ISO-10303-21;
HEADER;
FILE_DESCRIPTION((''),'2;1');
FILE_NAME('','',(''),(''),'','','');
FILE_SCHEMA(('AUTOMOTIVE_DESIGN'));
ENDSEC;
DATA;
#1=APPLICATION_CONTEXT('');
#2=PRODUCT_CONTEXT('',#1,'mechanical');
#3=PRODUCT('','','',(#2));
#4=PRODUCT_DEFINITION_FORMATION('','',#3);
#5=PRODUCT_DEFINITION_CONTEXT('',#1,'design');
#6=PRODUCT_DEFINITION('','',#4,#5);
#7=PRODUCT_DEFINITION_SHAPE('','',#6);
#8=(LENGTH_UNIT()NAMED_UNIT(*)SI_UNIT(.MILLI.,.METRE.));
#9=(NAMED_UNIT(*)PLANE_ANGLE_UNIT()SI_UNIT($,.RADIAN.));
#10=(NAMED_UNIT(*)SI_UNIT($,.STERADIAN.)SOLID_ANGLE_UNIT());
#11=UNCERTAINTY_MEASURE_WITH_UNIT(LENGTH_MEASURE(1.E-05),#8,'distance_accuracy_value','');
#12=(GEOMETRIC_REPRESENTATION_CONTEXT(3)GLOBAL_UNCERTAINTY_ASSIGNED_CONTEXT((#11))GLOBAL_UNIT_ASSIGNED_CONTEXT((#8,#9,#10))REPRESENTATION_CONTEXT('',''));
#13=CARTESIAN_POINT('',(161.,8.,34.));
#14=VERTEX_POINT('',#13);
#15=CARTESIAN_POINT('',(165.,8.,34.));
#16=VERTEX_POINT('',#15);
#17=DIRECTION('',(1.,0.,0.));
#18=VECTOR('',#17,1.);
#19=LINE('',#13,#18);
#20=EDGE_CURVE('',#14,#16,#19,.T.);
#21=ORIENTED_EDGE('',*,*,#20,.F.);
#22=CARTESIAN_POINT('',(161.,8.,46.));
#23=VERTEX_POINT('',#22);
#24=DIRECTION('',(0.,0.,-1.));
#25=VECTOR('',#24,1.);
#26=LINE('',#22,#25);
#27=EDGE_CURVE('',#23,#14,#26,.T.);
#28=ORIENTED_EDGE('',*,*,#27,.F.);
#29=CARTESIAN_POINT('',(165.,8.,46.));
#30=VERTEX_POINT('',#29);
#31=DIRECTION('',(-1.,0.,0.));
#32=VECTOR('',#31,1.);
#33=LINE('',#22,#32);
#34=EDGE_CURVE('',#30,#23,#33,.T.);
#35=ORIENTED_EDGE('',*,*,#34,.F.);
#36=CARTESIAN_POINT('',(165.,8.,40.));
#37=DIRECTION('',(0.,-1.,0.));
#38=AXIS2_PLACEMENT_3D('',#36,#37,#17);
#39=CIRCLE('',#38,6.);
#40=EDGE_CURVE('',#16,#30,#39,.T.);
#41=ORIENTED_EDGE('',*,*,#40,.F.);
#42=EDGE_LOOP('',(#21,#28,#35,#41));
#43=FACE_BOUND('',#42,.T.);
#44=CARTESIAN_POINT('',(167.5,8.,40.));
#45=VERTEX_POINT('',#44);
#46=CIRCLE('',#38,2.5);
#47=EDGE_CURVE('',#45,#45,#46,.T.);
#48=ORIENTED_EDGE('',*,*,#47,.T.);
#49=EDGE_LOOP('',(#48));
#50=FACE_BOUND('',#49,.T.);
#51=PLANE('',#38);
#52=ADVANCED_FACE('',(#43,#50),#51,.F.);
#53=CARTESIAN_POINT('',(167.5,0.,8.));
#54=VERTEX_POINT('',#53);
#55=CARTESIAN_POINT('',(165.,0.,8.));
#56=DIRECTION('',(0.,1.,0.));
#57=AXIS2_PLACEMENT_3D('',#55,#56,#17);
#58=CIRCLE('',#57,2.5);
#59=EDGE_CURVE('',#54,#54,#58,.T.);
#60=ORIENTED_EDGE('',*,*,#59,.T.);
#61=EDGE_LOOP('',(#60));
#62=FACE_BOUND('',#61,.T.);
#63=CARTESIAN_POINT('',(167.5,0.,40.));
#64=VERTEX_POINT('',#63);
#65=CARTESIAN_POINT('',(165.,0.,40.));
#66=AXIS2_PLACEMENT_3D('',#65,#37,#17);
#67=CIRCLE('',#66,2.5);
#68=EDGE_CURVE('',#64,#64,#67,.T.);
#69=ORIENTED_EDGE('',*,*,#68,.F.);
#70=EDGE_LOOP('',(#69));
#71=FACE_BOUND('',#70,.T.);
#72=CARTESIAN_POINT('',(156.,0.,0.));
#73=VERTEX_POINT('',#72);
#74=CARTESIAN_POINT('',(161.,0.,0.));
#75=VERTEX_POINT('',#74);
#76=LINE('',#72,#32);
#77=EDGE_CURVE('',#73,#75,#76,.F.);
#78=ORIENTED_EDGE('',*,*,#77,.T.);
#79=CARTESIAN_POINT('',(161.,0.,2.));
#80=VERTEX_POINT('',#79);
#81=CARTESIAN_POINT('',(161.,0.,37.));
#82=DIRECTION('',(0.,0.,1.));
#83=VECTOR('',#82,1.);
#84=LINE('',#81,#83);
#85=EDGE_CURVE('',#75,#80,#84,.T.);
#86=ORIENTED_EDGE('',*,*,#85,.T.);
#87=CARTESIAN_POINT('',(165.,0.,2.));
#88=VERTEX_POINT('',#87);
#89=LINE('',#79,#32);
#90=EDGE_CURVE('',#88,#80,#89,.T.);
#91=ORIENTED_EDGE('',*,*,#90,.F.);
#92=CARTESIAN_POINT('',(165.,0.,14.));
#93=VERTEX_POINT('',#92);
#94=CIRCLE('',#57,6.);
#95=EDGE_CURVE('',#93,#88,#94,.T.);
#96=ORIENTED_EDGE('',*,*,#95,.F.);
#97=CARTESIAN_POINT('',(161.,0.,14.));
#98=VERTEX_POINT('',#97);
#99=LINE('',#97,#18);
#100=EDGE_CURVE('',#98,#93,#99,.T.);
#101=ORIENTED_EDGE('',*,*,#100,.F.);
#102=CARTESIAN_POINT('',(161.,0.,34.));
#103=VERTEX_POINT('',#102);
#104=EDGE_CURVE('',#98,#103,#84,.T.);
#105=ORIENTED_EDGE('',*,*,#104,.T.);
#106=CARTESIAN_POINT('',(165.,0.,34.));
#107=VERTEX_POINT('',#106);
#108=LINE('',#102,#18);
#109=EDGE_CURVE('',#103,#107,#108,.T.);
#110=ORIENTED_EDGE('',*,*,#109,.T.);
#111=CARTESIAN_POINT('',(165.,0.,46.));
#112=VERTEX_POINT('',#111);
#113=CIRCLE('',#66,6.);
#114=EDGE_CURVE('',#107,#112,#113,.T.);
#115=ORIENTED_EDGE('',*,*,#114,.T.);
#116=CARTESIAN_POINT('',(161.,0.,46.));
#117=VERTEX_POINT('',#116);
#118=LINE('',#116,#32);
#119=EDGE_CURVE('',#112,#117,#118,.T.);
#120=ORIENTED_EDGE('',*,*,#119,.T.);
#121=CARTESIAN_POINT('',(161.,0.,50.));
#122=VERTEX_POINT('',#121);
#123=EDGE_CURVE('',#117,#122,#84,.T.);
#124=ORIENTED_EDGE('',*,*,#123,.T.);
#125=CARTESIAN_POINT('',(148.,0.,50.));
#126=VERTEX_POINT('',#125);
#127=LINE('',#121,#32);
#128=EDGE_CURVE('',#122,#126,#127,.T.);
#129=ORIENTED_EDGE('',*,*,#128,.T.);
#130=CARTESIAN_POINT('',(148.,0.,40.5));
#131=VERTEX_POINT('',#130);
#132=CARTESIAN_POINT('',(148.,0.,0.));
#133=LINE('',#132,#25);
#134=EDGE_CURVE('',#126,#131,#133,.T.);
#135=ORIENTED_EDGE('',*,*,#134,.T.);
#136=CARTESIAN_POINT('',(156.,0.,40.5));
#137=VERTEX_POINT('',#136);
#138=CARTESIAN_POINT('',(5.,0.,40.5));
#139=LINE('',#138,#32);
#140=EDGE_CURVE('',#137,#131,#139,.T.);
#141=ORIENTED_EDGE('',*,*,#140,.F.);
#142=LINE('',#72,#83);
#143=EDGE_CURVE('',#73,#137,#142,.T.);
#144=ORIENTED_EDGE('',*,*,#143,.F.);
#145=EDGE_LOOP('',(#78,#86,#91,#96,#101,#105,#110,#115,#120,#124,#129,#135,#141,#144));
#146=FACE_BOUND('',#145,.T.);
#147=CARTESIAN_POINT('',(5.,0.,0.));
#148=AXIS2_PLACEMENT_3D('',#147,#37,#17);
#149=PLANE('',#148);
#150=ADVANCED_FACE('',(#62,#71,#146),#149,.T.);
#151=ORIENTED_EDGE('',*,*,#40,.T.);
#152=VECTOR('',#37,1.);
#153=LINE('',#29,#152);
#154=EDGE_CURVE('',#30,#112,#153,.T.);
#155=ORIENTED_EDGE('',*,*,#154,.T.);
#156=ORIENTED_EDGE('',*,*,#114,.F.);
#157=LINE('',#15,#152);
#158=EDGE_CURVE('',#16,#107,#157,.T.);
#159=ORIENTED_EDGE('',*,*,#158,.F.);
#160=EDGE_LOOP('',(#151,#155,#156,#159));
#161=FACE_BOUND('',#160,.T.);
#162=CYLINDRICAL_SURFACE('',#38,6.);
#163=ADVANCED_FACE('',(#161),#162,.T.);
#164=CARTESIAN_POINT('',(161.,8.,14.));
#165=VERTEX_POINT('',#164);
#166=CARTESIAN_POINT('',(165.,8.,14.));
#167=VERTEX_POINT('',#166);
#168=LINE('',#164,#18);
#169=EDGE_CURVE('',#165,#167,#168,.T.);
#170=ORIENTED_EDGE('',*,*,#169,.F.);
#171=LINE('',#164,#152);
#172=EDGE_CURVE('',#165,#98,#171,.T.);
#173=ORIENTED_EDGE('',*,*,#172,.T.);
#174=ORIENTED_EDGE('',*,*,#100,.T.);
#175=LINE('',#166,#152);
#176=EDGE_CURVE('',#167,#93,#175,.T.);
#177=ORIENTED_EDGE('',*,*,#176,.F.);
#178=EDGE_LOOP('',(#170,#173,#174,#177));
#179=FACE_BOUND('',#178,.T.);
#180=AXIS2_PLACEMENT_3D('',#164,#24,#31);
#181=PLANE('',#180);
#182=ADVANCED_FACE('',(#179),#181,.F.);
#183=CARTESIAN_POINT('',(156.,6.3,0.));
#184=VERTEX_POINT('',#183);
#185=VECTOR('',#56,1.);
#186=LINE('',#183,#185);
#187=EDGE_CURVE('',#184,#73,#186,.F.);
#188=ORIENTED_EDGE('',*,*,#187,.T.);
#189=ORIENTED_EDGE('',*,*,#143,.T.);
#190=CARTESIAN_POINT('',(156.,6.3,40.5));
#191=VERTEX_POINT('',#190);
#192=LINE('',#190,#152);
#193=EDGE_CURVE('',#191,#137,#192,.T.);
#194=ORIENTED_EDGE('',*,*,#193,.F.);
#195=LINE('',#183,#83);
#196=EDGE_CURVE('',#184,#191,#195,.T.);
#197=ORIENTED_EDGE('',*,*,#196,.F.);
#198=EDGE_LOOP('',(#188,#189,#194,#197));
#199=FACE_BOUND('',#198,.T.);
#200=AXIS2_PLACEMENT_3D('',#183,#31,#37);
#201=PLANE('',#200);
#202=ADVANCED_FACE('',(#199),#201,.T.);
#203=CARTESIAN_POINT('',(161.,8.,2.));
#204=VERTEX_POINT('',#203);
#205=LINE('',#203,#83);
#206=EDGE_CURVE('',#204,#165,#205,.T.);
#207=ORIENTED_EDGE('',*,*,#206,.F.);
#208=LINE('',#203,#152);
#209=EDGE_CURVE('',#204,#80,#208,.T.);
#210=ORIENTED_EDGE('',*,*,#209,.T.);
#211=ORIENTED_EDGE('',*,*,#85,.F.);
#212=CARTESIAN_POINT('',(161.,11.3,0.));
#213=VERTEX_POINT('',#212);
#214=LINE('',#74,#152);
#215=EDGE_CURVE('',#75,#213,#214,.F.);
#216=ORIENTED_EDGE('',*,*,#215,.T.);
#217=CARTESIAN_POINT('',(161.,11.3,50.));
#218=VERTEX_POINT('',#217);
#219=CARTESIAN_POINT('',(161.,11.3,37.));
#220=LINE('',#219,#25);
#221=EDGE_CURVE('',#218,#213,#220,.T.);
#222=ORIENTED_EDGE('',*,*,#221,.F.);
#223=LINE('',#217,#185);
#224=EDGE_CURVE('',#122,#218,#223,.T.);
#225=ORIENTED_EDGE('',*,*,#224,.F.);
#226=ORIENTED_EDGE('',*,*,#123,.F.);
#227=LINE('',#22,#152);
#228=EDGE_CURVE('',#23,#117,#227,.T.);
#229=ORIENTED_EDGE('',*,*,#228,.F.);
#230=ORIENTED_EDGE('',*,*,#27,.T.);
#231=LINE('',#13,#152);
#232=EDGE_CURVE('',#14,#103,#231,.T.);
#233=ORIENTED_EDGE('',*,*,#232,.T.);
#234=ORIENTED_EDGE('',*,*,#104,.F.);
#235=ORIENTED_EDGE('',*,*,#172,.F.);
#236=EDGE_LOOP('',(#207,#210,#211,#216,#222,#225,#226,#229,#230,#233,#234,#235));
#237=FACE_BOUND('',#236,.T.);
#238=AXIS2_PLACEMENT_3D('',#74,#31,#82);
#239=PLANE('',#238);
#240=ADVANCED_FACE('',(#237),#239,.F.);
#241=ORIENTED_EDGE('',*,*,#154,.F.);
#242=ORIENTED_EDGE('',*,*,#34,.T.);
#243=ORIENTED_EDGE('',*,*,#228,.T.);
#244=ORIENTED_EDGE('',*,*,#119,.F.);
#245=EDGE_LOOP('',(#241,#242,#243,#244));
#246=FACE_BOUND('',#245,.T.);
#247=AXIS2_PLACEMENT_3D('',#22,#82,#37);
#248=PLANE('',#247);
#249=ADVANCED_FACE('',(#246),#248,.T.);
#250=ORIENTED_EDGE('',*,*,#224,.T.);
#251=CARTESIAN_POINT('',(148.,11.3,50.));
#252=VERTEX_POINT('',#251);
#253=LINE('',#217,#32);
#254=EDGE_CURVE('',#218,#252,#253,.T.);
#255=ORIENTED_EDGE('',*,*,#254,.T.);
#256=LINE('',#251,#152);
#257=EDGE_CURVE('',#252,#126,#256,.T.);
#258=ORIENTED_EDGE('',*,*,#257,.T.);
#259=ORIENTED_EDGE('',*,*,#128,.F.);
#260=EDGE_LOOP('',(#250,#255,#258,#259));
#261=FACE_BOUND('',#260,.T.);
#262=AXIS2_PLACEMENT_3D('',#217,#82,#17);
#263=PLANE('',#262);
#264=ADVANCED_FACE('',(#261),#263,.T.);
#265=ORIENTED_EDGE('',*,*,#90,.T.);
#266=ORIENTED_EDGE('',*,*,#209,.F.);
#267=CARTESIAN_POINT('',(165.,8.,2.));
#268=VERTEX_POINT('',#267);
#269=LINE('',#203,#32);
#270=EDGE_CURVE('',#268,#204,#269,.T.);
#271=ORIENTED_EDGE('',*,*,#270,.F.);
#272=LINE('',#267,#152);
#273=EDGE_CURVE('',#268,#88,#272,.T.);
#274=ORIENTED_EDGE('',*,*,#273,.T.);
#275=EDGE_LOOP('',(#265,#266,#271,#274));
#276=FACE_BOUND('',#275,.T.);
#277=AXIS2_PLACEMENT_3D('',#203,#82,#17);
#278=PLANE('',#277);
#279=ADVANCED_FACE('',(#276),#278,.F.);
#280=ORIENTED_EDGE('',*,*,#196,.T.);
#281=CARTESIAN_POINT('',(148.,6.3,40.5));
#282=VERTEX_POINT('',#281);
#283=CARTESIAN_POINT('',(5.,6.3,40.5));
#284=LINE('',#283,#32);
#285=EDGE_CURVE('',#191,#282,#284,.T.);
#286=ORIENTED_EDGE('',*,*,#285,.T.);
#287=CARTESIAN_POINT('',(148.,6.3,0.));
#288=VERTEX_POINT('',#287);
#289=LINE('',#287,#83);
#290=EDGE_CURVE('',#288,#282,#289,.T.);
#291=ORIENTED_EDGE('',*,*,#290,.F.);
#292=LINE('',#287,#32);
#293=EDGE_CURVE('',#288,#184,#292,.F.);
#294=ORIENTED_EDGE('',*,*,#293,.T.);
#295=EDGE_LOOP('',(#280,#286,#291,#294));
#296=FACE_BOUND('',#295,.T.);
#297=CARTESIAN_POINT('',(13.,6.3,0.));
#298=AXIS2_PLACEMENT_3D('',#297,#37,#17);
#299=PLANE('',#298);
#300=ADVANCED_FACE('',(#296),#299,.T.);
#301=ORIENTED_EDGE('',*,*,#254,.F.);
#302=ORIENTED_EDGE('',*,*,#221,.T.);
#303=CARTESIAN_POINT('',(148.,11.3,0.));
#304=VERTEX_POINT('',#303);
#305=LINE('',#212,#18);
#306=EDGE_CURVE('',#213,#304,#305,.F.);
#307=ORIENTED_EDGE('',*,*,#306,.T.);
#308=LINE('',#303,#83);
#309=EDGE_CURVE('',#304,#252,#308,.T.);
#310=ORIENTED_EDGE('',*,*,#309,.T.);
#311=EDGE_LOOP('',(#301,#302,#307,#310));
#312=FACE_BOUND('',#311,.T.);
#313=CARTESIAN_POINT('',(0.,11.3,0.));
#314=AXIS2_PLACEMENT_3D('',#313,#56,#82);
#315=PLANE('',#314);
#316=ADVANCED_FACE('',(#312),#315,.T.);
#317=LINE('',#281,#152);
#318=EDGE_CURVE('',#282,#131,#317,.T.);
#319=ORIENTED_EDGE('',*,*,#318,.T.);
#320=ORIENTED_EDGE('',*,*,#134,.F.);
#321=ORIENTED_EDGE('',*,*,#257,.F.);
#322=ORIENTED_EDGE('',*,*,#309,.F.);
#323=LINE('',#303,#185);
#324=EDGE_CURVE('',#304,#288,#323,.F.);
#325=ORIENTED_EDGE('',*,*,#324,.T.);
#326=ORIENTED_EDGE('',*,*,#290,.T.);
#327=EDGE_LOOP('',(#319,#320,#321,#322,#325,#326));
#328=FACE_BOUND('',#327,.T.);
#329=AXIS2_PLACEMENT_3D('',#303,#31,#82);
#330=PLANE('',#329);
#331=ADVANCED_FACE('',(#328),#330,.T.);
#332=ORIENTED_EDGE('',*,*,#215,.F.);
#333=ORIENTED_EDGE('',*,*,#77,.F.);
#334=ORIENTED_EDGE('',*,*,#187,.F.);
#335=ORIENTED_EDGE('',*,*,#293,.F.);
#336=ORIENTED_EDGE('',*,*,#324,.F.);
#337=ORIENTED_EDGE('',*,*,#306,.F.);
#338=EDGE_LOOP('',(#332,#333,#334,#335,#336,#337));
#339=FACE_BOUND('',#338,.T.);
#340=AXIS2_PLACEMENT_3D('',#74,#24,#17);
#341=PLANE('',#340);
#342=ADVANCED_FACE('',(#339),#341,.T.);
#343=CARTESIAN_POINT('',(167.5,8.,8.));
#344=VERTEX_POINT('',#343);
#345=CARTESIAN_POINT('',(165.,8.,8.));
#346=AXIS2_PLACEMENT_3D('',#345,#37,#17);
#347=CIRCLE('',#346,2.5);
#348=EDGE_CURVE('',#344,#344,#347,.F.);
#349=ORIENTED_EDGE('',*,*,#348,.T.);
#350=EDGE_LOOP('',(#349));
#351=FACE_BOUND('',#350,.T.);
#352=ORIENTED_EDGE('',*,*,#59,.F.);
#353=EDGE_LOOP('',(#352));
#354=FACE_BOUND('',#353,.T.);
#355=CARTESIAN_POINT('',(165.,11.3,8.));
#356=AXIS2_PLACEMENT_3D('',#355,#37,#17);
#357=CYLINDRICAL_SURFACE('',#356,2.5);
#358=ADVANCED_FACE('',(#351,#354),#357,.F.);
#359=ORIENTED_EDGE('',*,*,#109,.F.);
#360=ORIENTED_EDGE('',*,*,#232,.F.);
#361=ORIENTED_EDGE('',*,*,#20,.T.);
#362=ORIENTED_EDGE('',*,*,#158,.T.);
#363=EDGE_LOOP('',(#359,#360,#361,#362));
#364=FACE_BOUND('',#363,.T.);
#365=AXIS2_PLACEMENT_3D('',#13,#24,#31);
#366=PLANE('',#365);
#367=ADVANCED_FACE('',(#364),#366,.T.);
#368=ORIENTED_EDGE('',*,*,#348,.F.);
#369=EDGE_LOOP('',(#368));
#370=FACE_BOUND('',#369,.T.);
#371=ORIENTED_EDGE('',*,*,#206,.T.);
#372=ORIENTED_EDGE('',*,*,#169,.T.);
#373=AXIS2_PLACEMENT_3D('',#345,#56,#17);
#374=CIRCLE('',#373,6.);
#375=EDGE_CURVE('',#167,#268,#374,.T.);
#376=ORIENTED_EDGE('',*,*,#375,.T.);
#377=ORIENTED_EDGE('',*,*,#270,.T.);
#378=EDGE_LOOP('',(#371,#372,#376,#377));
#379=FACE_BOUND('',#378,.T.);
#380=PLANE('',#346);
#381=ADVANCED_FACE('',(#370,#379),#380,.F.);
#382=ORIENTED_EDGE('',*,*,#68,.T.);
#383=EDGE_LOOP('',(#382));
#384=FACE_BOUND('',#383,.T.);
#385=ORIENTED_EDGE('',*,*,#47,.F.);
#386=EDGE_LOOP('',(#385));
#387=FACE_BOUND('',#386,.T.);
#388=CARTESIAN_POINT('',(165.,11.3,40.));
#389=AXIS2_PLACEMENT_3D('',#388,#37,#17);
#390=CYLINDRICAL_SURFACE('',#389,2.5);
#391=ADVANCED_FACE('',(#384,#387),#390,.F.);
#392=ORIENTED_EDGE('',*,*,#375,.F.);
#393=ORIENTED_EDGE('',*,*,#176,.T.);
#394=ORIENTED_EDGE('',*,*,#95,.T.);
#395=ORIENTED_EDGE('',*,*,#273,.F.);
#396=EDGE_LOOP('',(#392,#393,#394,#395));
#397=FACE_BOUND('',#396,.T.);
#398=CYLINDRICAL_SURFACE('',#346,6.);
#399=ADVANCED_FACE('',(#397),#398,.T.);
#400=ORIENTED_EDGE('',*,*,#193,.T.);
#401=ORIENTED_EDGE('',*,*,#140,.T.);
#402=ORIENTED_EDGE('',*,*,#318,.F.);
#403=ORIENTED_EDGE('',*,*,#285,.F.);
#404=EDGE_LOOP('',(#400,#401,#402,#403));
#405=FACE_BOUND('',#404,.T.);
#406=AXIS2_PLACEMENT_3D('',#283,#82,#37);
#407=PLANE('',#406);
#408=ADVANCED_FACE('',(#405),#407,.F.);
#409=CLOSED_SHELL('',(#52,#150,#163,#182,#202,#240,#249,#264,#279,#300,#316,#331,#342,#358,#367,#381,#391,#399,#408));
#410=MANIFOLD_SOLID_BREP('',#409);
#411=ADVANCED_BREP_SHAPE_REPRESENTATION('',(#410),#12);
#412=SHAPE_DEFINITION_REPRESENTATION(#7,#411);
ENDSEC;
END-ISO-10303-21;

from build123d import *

# Parameters (mm, degrees)
CROQUIS4_W                = 13
CROQUIS4_H                = 11.3
SALIENTE_EXTRUIR1_DEPTH   = 161
CROQUIS5_W                = 151
CROQUIS5_H                = 3.5
CORTAR_EXTRUIR1_DEPTH     = 6.3
SALIENTE_EXTRUIR3_DEPTH   = 8
CROQUIS9_R                = 2.5
CORTAR_EXTRUIR3_DEPTH     = 179.518038304
SIMETR_A8_COPY_1_DEPTH    = 8
SIMETR_A8_COPY_2_SKETCH_R = 2.5
SIMETR_A8_COPY_2_DEPTH    = 179.518038304
CROQUIS10_R               = 2.5
CORTAR_EXTRUIR4_DEPTH     = 179.518038304
MATRIZL1_COUNT            = 3
MATRIZL1_PITCH            = 40.5
CROQUIS11_W               = 61.925542409
CROQUIS11_H               = 21.407853528
CORTAR_EXTRUIR5_DEPTH     = 167.107465215


with BuildPart() as part:
    # Barrer1: sweep along a path in Croquis3
    with BuildLine(Plane(origin=(0, 0, 0), x_dir=(1, 0, 0), z_dir=(0, 1, 0))) as barrer1_path:
        Line((0, 0), (0, -37))
    # Croquis1 → Barrer1 (sweep)
    with BuildSketch(Plane.XY):
        Polygon((0, 0), (0, 11.3), (13, 11.3), (13, 6.3), (5, 6.3), (5, 0), align=None)
    barrer1 = sweep(path=barrer1_path.line)

    # Croquis4 → Saliente-Extruir1 (add)
    with BuildSketch(Plane.ZY):
        with Locations((43.5, 5.65)):
            Rectangle(CROQUIS4_W, CROQUIS4_H)
    extrude(amount=-SALIENTE_EXTRUIR1_DEPTH)

    # Simetría5: Barrer1 across plane
    add(barrer1.mirror(Plane.ZY.offset(-80.5)))

    # Croquis5 → Cortar-Extruir1 (cut)
    with BuildSketch(Plane.XZ):
        with Locations((80.5, 38.75)):
            Rectangle(CROQUIS5_W, CROQUIS5_H)
    extrude(amount=-CORTAR_EXTRUIR1_DEPTH, mode=Mode.SUBTRACT)

    # Croquis8 → Saliente-Extruir3 (add)
    with BuildSketch(Plane.XZ):
        with BuildLine():
            Line((161, 46), (165, 46))
            ThreePointArc((165, 46), (171, 40), (165, 34))
            Line((165, 34), (161, 34))
            Line((161, 34), (161, 46))
        make_face()
    saliente_extruir3 = extrude(amount=-SALIENTE_EXTRUIR3_DEPTH)

    # Croquis9 → Cortar-Extruir3 (cut, through all)
    with BuildSketch(Plane.XZ):
        with Locations((165, 40)):
            Circle(CROQUIS9_R)
    cortar_extruir3 = extrude(amount=-CORTAR_EXTRUIR3_DEPTH, mode=Mode.SUBTRACT)

    # Simetría7: Saliente-Extruir3, Cortar-Extruir3 across plane
    add(saliente_extruir3.mirror(Plane(origin=(0, 0, 24), x_dir=(1, 0, 0), z_dir=(0, 0, -1))))
    add(cortar_extruir3.mirror(Plane(origin=(0, 0, 24), x_dir=(1, 0, 0), z_dir=(0, 0, -1))), mode=Mode.SUBTRACT)

    # Simetría8: Saliente-Extruir3, Cortar-Extruir3 across plane
    add(saliente_extruir3.mirror(Plane.ZY.offset(-80.5)))
    add(cortar_extruir3.mirror(Plane.ZY.offset(-80.5)), mode=Mode.SUBTRACT)

    # Simetría8 copy 1 sketch → Simetría8 copy 1 (add)
    with BuildSketch(Plane(origin=(161, 0, 48), x_dir=(-1, 0, 0), z_dir=(0, -1, 0))):
        with BuildLine():
            Line((161, 46), (165, 46))
            ThreePointArc((165, 46), (171, 40), (165, 34))
            Line((165, 34), (161, 34))
            Line((161, 34), (161, 46))
        make_face()
    extrude(amount=-SIMETR_A8_COPY_1_DEPTH)

    # Simetría8 copy 2 sketch → Simetría8 copy 2 (cut, through all)
    with BuildSketch(Plane(origin=(161, 0, 48), x_dir=(-1, 0, 0), z_dir=(0, -1, 0))):
        with Locations((165, 40)):
            Circle(SIMETR_A8_COPY_2_SKETCH_R)
    extrude(amount=-SIMETR_A8_COPY_2_DEPTH, mode=Mode.SUBTRACT)

    # Croquis10 → Cortar-Extruir4 (cut, through all)
    with BuildSketch(Plane(origin=(0, 11.3, 0), x_dir=(1, 0, 0), z_dir=(0, 1, 0))):
        with Locations(Location((121, -45.25, 0), (0, 0, 270))):
            Circle(CROQUIS10_R)
    cortar_extruir4 = extrude(amount=-CORTAR_EXTRUIR4_DEPTH, mode=Mode.SUBTRACT)

    # MatrizL1: Cortar-Extruir4 ×3
    with Locations(*[(-i * MATRIZL1_PITCH, 0, 0) for i in range(1, MATRIZL1_COUNT)]):
        add(cortar_extruir4, mode=Mode.SUBTRACT)

    # Croquis11 → Cortar-Extruir5 (cut, through all)
    with BuildSketch(Plane.ZY.offset(-148)):
        with Locations((24.861164112, 5.775)):
            Rectangle(CROQUIS11_W, CROQUIS11_H)
    extrude(amount=CORTAR_EXTRUIR5_DEPTH, mode=Mode.SUBTRACT)


solid = part.part
